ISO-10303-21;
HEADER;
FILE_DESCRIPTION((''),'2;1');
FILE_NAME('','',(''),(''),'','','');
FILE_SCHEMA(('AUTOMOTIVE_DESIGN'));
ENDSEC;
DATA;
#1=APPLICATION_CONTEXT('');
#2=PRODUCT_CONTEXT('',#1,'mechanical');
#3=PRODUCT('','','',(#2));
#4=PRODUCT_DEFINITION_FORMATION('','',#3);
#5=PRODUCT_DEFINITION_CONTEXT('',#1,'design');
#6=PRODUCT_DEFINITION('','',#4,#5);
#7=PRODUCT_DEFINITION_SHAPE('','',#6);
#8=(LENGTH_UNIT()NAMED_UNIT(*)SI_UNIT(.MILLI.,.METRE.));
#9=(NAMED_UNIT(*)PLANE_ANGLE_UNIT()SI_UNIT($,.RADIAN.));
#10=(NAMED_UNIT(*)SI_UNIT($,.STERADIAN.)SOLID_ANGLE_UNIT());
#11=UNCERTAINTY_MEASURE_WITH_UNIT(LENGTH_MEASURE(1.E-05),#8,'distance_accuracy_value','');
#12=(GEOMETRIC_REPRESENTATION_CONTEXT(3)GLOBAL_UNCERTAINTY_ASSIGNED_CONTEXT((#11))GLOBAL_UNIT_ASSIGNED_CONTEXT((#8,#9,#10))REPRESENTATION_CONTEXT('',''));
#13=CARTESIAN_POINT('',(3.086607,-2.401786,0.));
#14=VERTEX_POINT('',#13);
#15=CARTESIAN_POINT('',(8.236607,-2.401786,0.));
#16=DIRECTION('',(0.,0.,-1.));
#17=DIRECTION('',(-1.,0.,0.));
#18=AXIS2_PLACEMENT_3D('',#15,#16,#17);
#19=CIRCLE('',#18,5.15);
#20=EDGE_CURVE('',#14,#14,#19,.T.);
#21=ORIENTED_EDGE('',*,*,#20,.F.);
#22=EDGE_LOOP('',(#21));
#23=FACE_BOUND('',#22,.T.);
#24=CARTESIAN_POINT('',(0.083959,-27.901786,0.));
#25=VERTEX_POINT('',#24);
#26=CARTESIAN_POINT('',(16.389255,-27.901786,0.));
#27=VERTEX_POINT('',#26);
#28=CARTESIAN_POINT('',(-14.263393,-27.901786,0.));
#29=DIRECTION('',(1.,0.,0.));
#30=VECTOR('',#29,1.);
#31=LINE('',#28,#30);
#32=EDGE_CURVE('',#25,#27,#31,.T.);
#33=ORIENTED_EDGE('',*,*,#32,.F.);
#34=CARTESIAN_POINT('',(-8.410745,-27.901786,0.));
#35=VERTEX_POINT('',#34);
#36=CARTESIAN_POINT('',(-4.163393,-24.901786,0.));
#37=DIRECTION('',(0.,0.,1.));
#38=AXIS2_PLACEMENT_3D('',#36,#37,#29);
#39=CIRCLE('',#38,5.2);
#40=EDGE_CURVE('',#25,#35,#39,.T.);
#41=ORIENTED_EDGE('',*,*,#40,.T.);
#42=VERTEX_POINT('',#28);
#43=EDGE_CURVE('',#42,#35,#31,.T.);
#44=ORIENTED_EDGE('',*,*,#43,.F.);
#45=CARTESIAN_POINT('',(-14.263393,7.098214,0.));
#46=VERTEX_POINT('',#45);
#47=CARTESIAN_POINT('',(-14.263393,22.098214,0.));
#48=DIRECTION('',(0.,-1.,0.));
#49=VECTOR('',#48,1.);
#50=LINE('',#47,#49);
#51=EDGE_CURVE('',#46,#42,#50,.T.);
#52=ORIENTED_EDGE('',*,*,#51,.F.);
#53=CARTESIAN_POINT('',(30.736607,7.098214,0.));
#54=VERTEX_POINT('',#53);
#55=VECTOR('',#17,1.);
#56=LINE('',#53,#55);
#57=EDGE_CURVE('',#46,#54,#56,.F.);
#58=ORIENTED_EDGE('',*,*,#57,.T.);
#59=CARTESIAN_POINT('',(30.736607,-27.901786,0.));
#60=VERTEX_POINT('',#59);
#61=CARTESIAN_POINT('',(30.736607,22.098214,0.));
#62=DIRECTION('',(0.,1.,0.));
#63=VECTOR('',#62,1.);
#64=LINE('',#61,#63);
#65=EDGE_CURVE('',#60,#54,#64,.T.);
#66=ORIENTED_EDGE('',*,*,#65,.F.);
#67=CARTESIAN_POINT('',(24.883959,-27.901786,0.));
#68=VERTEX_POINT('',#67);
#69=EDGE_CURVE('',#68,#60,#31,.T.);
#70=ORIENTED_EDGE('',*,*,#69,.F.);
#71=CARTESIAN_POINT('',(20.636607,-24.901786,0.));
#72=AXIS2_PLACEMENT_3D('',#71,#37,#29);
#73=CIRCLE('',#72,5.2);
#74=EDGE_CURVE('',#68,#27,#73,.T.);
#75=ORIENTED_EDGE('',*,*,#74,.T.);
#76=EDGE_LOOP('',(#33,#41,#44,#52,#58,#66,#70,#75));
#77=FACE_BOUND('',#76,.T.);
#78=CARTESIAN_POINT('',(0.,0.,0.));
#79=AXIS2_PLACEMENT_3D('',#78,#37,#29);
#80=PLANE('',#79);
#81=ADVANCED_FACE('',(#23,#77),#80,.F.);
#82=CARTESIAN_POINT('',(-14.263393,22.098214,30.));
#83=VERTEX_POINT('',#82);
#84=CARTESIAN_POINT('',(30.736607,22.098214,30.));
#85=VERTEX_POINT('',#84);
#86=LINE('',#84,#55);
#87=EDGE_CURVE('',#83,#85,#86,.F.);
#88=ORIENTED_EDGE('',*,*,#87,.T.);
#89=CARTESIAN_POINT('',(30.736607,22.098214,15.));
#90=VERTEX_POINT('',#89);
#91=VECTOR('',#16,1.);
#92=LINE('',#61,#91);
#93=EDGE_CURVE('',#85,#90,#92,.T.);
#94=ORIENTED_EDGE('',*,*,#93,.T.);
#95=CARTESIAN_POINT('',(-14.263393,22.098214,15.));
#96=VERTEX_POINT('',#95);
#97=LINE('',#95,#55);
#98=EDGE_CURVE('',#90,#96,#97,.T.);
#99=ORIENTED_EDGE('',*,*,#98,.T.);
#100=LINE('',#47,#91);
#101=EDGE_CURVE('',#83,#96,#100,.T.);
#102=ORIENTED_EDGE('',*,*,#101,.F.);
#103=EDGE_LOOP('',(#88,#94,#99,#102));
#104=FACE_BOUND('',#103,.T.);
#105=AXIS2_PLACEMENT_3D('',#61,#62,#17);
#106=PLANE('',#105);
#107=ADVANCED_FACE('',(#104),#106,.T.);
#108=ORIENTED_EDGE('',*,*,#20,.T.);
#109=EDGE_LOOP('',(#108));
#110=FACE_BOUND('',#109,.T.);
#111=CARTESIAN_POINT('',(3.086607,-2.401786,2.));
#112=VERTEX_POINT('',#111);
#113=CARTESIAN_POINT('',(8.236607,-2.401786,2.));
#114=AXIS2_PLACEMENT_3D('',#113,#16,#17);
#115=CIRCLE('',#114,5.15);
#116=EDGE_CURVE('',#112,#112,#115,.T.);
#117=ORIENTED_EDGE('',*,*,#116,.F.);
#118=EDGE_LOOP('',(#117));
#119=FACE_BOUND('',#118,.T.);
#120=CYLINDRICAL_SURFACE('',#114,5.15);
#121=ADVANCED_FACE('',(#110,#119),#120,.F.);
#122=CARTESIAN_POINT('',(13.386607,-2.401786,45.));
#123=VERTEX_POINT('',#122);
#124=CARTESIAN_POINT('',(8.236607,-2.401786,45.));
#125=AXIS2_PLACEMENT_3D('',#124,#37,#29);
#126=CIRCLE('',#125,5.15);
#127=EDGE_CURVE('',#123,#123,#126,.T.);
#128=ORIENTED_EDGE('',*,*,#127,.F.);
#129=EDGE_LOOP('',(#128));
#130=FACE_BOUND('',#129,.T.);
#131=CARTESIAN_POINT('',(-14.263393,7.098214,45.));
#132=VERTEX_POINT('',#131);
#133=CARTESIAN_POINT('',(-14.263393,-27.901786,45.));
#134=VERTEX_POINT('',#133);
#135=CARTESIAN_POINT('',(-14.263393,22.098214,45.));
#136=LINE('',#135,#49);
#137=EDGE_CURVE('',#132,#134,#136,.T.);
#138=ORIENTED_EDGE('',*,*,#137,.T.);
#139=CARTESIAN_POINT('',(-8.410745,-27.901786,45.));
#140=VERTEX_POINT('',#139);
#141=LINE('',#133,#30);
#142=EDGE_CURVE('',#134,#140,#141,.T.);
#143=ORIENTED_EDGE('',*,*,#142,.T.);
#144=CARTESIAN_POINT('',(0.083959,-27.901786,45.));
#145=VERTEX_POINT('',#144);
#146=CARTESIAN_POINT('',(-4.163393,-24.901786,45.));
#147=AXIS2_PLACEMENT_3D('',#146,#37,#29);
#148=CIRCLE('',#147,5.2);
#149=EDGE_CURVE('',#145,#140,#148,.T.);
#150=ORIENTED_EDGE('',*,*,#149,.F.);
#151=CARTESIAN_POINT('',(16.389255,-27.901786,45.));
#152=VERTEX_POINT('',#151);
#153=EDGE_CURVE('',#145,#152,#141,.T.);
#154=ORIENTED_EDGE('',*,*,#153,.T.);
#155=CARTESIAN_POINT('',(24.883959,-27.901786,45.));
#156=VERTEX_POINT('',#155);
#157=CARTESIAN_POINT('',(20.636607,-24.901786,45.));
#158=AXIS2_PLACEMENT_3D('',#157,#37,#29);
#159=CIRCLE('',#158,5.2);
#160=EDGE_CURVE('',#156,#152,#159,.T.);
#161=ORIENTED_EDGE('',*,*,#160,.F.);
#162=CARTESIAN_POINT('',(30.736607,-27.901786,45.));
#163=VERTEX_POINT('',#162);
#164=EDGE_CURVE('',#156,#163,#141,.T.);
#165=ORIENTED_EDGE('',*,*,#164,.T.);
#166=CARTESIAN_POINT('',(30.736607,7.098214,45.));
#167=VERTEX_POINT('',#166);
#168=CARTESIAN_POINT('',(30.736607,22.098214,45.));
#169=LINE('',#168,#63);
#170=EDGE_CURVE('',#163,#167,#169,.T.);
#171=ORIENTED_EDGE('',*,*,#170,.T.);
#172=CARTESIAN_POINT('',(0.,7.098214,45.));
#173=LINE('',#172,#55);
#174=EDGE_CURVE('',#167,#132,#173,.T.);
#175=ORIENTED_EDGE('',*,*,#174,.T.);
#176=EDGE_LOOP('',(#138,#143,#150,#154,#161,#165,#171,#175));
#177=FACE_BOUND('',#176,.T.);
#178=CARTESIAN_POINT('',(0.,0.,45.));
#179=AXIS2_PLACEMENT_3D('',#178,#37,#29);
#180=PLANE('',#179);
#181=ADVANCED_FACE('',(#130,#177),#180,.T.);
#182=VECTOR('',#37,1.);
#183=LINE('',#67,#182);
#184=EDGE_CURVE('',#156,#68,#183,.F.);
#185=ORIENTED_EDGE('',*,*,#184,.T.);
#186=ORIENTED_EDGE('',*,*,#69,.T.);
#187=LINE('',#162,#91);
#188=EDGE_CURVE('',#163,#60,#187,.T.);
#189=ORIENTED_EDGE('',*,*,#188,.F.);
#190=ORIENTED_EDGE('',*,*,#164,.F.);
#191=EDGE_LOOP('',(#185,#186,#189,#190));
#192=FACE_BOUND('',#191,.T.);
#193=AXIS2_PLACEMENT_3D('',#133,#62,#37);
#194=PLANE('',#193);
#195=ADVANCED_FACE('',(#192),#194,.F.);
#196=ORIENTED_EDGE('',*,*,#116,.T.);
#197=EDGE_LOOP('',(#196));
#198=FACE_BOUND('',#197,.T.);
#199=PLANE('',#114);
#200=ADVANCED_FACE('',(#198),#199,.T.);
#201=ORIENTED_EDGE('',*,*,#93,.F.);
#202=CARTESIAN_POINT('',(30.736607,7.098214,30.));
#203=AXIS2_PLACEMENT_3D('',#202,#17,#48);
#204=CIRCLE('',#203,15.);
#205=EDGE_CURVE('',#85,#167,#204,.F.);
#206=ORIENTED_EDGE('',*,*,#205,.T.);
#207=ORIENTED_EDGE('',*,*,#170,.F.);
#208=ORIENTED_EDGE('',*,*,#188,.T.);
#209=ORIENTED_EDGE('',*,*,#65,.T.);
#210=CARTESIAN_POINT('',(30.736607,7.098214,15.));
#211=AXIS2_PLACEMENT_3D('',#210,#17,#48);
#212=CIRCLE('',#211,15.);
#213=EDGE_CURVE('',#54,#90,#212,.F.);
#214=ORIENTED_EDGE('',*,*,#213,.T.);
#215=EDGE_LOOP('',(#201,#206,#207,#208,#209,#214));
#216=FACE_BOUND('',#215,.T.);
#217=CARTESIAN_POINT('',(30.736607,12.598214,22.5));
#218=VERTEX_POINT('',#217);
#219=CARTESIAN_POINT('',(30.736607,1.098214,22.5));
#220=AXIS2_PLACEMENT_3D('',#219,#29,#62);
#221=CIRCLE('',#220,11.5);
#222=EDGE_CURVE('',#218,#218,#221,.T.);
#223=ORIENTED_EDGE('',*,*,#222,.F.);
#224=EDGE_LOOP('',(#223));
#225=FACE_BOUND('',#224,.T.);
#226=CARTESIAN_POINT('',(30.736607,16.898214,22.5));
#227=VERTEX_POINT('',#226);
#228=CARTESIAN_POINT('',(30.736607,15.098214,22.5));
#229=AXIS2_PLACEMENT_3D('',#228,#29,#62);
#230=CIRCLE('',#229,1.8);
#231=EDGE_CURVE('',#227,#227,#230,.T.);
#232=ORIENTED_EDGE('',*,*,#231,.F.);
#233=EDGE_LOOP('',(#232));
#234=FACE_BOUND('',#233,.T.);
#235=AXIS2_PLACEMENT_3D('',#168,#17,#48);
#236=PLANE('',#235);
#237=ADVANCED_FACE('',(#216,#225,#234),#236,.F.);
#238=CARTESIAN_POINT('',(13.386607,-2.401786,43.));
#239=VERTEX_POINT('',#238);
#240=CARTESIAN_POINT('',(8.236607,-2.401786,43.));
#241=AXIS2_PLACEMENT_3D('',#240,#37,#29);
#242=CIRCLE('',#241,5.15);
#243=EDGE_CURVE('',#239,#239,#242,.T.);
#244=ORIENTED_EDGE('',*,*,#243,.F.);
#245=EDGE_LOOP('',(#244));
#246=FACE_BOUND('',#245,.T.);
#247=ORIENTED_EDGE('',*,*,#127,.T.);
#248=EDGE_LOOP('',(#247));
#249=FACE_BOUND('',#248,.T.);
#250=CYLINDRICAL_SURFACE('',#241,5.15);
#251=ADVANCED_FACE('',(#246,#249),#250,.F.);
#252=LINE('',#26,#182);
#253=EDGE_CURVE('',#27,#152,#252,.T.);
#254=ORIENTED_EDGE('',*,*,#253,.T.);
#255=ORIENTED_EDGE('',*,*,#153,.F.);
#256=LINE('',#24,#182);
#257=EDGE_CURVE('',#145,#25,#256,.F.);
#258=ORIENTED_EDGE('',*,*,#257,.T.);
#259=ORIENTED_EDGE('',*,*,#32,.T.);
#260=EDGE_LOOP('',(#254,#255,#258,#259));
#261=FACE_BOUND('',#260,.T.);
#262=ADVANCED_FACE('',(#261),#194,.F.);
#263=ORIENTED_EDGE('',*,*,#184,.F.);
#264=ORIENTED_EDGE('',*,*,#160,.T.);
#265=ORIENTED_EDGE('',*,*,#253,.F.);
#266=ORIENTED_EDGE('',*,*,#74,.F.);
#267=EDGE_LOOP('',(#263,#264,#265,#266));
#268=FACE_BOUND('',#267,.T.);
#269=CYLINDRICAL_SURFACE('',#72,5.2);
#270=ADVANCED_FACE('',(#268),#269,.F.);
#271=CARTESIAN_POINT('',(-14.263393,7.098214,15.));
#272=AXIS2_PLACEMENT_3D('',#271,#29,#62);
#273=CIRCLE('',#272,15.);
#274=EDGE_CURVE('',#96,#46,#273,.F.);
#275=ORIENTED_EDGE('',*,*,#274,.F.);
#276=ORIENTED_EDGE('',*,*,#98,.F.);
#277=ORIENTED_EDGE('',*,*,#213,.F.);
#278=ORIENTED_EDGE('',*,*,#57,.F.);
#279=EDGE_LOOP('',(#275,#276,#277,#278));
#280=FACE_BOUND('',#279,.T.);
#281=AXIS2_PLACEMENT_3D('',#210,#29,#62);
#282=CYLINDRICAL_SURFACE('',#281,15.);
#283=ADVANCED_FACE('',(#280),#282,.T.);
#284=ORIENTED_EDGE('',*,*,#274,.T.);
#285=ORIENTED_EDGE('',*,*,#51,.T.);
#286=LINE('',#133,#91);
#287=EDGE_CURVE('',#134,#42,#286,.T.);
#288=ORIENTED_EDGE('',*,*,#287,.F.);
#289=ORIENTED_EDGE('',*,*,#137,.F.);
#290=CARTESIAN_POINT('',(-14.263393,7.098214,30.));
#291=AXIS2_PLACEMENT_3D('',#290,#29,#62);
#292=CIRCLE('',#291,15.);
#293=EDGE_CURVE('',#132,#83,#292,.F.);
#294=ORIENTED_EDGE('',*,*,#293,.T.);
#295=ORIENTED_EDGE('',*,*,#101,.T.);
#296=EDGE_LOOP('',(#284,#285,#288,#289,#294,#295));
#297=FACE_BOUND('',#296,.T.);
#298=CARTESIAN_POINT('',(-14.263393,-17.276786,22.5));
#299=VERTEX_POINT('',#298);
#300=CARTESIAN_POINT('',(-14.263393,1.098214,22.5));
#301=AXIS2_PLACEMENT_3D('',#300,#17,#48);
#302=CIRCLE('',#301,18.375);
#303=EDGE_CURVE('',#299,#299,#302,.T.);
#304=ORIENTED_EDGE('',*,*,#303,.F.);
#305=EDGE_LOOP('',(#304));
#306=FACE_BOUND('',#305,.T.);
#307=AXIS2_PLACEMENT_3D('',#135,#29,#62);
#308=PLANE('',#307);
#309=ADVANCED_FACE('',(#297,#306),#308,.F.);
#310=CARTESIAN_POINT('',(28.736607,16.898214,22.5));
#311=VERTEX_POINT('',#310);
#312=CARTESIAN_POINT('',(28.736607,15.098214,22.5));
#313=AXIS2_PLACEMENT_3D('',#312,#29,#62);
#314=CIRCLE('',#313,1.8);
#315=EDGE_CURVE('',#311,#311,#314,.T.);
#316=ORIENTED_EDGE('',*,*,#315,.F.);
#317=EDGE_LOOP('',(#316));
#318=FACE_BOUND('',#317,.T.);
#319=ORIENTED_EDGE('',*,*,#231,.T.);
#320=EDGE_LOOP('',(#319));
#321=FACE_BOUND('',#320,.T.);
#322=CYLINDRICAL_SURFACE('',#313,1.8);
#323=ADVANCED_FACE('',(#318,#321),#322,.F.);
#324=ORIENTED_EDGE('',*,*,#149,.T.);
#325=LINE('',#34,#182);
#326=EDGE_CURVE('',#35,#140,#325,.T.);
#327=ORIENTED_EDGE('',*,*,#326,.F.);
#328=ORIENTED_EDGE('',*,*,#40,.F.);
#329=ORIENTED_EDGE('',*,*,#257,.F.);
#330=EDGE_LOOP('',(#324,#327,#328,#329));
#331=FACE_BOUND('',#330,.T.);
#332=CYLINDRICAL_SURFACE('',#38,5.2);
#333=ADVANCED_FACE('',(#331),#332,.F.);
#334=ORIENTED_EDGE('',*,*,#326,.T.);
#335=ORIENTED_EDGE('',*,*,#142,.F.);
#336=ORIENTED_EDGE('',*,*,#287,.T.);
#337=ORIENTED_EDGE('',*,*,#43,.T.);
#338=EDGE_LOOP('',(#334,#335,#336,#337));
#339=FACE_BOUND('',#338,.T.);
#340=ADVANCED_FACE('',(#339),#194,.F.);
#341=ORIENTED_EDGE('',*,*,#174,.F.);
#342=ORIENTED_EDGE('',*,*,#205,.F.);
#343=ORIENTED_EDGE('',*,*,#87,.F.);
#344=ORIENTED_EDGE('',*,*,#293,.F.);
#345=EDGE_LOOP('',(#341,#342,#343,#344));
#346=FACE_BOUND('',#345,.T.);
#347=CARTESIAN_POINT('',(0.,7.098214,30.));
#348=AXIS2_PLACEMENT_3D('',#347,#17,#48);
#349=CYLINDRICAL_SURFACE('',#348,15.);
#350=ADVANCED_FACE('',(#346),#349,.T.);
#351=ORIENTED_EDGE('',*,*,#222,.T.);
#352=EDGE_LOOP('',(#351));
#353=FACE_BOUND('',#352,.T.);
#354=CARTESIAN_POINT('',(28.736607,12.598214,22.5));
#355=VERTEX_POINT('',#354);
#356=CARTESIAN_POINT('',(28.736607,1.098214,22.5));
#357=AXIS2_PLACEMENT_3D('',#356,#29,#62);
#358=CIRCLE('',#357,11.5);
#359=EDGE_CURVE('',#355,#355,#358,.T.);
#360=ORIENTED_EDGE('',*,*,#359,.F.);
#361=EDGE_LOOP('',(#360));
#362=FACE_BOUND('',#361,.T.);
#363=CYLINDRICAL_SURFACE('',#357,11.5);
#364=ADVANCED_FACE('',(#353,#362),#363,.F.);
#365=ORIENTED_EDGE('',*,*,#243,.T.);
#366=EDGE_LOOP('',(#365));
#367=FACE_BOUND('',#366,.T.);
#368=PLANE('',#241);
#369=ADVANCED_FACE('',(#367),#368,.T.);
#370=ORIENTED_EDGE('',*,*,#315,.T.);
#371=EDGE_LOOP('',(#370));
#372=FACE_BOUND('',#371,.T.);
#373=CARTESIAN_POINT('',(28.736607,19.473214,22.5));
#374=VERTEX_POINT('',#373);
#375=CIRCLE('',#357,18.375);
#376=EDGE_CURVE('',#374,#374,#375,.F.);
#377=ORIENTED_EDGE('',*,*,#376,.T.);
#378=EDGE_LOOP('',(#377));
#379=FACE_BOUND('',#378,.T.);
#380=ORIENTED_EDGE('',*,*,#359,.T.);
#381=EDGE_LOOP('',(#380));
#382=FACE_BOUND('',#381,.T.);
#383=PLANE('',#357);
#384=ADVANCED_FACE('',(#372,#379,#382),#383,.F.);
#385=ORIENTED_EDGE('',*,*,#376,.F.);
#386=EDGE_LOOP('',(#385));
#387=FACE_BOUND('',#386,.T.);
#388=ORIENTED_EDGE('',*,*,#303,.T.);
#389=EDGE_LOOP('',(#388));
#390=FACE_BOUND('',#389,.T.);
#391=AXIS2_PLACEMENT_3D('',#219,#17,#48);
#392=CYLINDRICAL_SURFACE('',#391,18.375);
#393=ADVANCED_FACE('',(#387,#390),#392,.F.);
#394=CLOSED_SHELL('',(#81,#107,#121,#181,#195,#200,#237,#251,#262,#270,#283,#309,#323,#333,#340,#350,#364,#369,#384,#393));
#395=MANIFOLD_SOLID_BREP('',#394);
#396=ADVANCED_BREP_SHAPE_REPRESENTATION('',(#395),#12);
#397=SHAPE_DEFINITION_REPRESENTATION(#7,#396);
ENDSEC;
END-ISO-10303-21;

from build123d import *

# Parameters (mm, degrees)
SKETCH1_W           = 45
SKETCH1_H           = 50
BOSS_EXTRUDE1_DEPTH = 45
SKETCH2_R           = 5.2
CUT_EXTRUDE1_DEPTH  = 45
SKETCH9_R           = 5.15
CUT_EXTRUDE6_DEPTH  = 2
SKETCH10_R          = 5.15
CUT_EXTRUDE7_DEPTH  = 2
SKETCH12_R          = 18.375
CUT_EXTRUDE8_DEPTH  = 45
SKETCH13_W          = 45
SKETCH13_H          = 6.66747138
CUT_EXTRUDE9_DEPTH  = 46
SKETCH14_W          = 45
SKETCH14_H          = 6.66747138
BOSS_EXTRUDE2_DEPTH = 45
SKETCH15_R          = 18.375
CUT_EXTRUDE10_DEPTH = 45
FILLET1_R           = 15
SKETCH16_R          = 18.375
BOSS_EXTRUDE3_DEPTH = 2
SKETCH17_R          = 11.5
CUT_EXTRUDE11_DEPTH = 2
SKETCH18_R          = 1.8
CUT_EXTRUDE12_DEPTH = 2


with BuildPart() as part:
    # Sketch1 → Boss-Extrude1 (new body)
    with BuildSketch(Plane.XY):
        with Locations((8.236607143, -2.901785714)):
            Rectangle(SKETCH1_W, SKETCH1_H)
    extrude(amount=BOSS_EXTRUDE1_DEPTH)

    # Sketch2 → Cut-Extrude1 (cut)
    with BuildSketch(Plane.XY.offset(45)):
        with Locations((-4.163392857, -24.901785714)):
            Circle(SKETCH2_R)
        with Locations((20.636607143, -24.901785714)):
            Circle(SKETCH2_R)
    extrude(amount=-CUT_EXTRUDE1_DEPTH, mode=Mode.SUBTRACT)

    # Sketch9 → Cut-Extrude6 (cut)
    with BuildSketch(Plane.XY.offset(45)):
        with Locations((8.236607143, -2.401785714)):
            Circle(SKETCH9_R)
    extrude(amount=-CUT_EXTRUDE6_DEPTH, mode=Mode.SUBTRACT)

    # Sketch10 → Cut-Extrude7 (cut)
    with BuildSketch(Plane(origin=(0, 0, 0), x_dir=(-1, 0, 0), z_dir=(0, 0, -1))):
        with Locations((-8.236607143, -2.401785714)):
            Circle(SKETCH10_R)
    extrude(amount=-CUT_EXTRUDE7_DEPTH, mode=Mode.SUBTRACT)

    # Sketch12 → Cut-Extrude8 (cut)
    with BuildSketch(Plane.ZY.offset(14.263392857)):
        with Locations((22.5, 1.098214286)):
            Circle(SKETCH12_R)
    extrude(amount=-CUT_EXTRUDE8_DEPTH, mode=Mode.SUBTRACT)

    # Sketch13 → Cut-Extrude9 (cut)
    with BuildSketch(Plane.ZY.offset(14.263392857)):
        with Locations((22.5, 18.764478596)):
            Rectangle(SKETCH13_W, SKETCH13_H)
    extrude(amount=-CUT_EXTRUDE9_DEPTH, mode=Mode.SUBTRACT)

    # Sketch14 → Boss-Extrude2 (add)
    with BuildSketch(Plane.ZY.offset(14.263392857)):
        with Locations((22.5, 18.764478596)):
            Rectangle(SKETCH14_W, SKETCH14_H)
    extrude(amount=-BOSS_EXTRUDE2_DEPTH)

    # Sketch15 → Cut-Extrude10 (cut)
    with BuildSketch(Plane.ZY.offset(14.263392857)):
        with Locations((22.5, 1.098214286)):
            Circle(SKETCH15_R)
    extrude(amount=-CUT_EXTRUDE10_DEPTH, mode=Mode.SUBTRACT)

    # Fillet1
    fillet1_edges = [part.edges().sort_by_distance(p)[0] for p in [
        (8.236607143, 22.098214286, 0),
        (8.236607143, 22.098214286, 45),
    ]]
    fillet(fillet1_edges, radius=FILLET1_R)

    # Sketch16 → Boss-Extrude3 (add)
    with BuildSketch(Plane(origin=(30.736607143, 0, 0), x_dir=(0, 0, -1), z_dir=(1, 0, 0))):
        with Locations((-22.5, 1.098214286)):
            Circle(SKETCH16_R)
    extrude(amount=-BOSS_EXTRUDE3_DEPTH)

    # Sketch17 → Cut-Extrude11 (cut)
    with BuildSketch(Plane(origin=(30.736607143, 0, 0), x_dir=(0, 0, -1), z_dir=(1, 0, 0))):
        with Locations((-22.5, 1.098214286)):
            Circle(SKETCH17_R)
    extrude(amount=-CUT_EXTRUDE11_DEPTH, mode=Mode.SUBTRACT)

    # Sketch18 → Cut-Extrude12 (cut)
    with BuildSketch(Plane(origin=(30.736607143, 0, 0), x_dir=(0, 0, -1), z_dir=(1, 0, 0))):
        with Locations((-22.5, 15.098214286)):
            Circle(SKETCH18_R)
    extrude(amount=-CUT_EXTRUDE12_DEPTH, mode=Mode.SUBTRACT)


solid = part.part
